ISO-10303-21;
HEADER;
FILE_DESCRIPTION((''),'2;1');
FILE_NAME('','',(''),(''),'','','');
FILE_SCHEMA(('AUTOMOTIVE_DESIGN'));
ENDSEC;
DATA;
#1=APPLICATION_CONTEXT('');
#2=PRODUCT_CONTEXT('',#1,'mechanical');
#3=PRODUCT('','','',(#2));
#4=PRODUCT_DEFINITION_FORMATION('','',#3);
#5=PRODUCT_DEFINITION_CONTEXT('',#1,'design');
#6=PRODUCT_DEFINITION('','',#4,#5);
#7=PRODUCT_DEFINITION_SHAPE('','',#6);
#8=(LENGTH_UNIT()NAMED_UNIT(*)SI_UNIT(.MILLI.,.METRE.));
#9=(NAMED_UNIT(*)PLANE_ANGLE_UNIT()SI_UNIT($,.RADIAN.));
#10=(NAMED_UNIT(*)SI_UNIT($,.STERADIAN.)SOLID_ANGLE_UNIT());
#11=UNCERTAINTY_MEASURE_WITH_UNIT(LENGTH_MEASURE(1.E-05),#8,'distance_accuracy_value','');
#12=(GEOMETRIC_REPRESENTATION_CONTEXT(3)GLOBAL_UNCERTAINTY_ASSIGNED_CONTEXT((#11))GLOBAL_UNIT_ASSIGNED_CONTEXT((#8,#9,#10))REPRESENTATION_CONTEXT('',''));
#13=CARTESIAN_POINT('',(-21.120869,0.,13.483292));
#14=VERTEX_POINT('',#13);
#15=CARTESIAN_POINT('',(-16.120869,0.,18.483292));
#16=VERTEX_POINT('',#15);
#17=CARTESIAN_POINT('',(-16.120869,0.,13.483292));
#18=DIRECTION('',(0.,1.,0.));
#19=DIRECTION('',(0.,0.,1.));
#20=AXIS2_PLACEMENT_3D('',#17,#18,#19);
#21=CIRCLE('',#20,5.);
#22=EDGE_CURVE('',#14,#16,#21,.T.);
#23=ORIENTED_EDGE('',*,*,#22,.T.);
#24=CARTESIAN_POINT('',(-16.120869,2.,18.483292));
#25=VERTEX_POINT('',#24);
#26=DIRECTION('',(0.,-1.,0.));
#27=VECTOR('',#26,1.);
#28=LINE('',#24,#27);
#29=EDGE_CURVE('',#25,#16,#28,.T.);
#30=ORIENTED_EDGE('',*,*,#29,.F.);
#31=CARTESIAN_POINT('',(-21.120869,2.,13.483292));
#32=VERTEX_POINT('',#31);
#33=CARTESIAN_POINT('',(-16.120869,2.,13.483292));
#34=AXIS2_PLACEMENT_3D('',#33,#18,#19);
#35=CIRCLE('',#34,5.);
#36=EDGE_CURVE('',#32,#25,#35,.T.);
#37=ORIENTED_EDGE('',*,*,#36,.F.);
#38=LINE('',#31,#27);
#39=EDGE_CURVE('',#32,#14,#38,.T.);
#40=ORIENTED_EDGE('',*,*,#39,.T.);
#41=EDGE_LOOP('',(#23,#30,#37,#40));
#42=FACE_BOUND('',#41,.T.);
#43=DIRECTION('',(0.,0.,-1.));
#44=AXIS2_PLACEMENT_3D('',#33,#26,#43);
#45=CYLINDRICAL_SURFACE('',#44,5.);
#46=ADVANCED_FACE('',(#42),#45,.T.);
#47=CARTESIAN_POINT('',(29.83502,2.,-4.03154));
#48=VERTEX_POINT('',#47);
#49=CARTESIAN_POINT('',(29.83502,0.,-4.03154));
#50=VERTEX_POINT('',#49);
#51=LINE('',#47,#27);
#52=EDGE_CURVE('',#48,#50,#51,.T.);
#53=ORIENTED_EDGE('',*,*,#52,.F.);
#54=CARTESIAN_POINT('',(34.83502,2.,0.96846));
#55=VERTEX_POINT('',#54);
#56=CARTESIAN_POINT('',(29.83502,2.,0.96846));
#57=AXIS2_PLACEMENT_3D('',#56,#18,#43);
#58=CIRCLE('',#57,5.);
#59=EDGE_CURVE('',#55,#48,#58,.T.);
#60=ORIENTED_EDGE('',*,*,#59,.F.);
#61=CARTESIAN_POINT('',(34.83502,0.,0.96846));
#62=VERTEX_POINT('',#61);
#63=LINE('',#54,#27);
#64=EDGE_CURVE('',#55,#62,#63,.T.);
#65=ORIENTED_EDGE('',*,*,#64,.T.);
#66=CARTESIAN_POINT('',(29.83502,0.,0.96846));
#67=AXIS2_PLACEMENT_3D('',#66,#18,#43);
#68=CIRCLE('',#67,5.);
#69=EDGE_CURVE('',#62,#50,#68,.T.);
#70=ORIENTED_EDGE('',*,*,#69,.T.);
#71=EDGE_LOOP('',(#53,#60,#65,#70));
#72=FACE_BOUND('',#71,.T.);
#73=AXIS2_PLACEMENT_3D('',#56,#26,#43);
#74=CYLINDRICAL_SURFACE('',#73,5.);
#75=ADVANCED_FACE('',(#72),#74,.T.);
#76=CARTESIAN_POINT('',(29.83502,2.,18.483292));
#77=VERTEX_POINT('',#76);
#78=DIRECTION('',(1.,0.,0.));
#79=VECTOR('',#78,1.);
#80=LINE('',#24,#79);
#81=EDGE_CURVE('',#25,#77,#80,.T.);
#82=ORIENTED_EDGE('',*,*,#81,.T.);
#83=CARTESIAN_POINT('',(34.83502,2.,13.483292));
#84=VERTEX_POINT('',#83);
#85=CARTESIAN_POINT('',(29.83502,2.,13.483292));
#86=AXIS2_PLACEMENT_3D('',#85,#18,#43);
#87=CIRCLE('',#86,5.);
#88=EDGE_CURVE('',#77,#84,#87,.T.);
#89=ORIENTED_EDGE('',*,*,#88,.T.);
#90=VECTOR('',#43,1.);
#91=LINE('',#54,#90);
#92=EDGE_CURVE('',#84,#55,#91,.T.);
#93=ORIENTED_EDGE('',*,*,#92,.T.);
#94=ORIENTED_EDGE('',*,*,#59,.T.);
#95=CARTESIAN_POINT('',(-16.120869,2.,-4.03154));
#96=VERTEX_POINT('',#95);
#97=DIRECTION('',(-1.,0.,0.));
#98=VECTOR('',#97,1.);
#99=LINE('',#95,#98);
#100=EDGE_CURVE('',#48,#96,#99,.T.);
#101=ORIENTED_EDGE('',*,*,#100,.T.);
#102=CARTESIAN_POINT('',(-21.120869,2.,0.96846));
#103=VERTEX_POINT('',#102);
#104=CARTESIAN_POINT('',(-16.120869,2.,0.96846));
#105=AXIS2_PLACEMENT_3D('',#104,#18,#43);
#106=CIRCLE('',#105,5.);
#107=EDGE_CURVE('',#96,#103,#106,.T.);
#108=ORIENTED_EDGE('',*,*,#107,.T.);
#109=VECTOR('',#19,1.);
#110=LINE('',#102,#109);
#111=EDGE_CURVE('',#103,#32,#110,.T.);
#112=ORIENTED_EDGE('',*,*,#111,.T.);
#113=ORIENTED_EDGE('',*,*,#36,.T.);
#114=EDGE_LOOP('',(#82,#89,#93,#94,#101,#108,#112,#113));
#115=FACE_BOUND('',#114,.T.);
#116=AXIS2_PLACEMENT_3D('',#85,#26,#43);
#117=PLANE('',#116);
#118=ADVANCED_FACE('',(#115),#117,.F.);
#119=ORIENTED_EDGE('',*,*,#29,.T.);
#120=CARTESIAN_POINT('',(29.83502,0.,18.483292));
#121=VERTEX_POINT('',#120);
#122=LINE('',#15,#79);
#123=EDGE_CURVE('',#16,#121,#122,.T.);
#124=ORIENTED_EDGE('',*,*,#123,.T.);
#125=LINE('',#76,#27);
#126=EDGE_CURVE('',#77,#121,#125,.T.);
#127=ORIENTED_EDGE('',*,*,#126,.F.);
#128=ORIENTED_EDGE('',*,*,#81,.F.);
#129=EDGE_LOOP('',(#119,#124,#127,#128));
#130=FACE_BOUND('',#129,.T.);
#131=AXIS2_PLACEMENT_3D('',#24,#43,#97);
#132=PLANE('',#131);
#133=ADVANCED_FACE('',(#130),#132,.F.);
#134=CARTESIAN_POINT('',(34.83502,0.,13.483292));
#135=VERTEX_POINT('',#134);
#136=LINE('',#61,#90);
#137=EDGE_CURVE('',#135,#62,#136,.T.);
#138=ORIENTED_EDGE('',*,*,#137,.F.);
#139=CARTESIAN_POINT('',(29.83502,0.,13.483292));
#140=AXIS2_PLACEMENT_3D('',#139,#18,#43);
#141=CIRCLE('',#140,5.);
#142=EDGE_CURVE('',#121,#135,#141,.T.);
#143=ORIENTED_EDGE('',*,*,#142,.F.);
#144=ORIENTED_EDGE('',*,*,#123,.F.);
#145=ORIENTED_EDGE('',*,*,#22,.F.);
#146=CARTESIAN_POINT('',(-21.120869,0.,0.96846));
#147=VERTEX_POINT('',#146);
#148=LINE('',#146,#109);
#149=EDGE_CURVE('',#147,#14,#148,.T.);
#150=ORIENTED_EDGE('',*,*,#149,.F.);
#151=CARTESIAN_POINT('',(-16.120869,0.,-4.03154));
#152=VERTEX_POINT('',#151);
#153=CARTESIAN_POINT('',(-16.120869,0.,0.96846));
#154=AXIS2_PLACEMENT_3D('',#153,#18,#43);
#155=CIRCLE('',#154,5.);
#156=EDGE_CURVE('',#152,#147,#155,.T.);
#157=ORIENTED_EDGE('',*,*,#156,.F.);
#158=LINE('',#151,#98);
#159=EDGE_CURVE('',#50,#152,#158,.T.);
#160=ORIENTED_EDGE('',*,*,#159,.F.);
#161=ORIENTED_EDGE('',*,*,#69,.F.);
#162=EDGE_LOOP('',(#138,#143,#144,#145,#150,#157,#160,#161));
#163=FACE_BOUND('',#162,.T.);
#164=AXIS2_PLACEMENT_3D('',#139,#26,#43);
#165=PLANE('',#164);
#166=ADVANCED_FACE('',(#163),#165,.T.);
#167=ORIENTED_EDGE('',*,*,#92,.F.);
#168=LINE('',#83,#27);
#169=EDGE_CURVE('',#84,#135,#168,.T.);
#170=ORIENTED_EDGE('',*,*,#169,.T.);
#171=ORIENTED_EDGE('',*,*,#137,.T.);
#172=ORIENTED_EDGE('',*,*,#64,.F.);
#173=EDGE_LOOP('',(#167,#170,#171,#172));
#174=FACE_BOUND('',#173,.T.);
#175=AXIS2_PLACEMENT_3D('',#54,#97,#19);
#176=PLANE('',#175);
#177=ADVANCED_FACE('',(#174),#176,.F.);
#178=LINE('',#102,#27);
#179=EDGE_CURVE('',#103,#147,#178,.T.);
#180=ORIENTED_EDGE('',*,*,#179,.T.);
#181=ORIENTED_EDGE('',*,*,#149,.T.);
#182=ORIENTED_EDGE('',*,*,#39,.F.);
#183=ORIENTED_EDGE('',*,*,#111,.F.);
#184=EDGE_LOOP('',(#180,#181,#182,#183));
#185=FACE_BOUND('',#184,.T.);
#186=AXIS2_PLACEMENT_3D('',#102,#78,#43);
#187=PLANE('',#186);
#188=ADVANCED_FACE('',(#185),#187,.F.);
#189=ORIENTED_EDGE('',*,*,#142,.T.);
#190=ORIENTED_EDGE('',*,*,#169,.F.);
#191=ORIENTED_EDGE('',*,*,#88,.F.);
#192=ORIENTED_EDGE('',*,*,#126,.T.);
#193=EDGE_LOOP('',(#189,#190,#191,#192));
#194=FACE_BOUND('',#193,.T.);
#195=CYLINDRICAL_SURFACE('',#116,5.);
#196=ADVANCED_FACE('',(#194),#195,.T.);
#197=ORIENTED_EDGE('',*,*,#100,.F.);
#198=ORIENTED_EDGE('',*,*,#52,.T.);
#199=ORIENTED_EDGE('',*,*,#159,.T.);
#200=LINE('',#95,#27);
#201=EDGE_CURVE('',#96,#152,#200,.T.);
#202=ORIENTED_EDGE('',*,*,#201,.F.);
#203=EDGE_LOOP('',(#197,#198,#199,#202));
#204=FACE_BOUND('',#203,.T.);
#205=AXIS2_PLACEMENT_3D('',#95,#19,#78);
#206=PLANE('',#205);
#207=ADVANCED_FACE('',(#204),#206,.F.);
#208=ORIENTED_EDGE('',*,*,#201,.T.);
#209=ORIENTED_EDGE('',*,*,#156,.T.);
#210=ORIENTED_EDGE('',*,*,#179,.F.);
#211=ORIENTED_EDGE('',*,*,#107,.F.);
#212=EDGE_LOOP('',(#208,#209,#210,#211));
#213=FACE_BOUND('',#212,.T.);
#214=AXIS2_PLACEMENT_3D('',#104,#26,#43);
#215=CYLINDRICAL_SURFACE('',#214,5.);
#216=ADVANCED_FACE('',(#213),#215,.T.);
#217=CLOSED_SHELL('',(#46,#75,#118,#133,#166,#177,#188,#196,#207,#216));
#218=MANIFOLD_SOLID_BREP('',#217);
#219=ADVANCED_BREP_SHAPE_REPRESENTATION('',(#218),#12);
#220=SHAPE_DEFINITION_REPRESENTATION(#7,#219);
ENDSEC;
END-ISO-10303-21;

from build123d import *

# Parameters (mm, degrees)
BOSS_EXTRUDE1_DEPTH = 2


with BuildPart() as part:
    # Sketch2 → Boss-Extrude1 (new body)
    with BuildSketch(Plane(origin=(0, 0, 0), x_dir=(1, 0, 0), z_dir=(0, 1, 0))):
        with BuildLine():
            Line((-16.120868995, 4.031539822), (29.835019533, 4.031539822))
            ThreePointArc((29.835019533, 4.031539822), (33.370553438, 2.567073728), (34.835019533, -0.968460178))
            Line((34.835019533, -0.968460178), (34.835019533, -13.483291955))
            ThreePointArc((34.835019533, -13.483291955), (33.370553438, -17.018825861), (29.835019533, -18.483291955))
            Line((29.835019533, -18.483291955), (-16.120868995, -18.483291955))
            ThreePointArc((-16.120868995, -18.483291955), (-19.656402901, -17.018825861), (-21.120868995, -13.483291955))
            Line((-21.120868995, -13.483291955), (-21.120868995, -0.968460178))
            ThreePointArc((-21.120868995, -0.968460178), (-19.656402901, 2.567073728), (-16.120868995, 4.031539822))
        make_face()
    extrude(amount=BOSS_EXTRUDE1_DEPTH)


solid = part.part
